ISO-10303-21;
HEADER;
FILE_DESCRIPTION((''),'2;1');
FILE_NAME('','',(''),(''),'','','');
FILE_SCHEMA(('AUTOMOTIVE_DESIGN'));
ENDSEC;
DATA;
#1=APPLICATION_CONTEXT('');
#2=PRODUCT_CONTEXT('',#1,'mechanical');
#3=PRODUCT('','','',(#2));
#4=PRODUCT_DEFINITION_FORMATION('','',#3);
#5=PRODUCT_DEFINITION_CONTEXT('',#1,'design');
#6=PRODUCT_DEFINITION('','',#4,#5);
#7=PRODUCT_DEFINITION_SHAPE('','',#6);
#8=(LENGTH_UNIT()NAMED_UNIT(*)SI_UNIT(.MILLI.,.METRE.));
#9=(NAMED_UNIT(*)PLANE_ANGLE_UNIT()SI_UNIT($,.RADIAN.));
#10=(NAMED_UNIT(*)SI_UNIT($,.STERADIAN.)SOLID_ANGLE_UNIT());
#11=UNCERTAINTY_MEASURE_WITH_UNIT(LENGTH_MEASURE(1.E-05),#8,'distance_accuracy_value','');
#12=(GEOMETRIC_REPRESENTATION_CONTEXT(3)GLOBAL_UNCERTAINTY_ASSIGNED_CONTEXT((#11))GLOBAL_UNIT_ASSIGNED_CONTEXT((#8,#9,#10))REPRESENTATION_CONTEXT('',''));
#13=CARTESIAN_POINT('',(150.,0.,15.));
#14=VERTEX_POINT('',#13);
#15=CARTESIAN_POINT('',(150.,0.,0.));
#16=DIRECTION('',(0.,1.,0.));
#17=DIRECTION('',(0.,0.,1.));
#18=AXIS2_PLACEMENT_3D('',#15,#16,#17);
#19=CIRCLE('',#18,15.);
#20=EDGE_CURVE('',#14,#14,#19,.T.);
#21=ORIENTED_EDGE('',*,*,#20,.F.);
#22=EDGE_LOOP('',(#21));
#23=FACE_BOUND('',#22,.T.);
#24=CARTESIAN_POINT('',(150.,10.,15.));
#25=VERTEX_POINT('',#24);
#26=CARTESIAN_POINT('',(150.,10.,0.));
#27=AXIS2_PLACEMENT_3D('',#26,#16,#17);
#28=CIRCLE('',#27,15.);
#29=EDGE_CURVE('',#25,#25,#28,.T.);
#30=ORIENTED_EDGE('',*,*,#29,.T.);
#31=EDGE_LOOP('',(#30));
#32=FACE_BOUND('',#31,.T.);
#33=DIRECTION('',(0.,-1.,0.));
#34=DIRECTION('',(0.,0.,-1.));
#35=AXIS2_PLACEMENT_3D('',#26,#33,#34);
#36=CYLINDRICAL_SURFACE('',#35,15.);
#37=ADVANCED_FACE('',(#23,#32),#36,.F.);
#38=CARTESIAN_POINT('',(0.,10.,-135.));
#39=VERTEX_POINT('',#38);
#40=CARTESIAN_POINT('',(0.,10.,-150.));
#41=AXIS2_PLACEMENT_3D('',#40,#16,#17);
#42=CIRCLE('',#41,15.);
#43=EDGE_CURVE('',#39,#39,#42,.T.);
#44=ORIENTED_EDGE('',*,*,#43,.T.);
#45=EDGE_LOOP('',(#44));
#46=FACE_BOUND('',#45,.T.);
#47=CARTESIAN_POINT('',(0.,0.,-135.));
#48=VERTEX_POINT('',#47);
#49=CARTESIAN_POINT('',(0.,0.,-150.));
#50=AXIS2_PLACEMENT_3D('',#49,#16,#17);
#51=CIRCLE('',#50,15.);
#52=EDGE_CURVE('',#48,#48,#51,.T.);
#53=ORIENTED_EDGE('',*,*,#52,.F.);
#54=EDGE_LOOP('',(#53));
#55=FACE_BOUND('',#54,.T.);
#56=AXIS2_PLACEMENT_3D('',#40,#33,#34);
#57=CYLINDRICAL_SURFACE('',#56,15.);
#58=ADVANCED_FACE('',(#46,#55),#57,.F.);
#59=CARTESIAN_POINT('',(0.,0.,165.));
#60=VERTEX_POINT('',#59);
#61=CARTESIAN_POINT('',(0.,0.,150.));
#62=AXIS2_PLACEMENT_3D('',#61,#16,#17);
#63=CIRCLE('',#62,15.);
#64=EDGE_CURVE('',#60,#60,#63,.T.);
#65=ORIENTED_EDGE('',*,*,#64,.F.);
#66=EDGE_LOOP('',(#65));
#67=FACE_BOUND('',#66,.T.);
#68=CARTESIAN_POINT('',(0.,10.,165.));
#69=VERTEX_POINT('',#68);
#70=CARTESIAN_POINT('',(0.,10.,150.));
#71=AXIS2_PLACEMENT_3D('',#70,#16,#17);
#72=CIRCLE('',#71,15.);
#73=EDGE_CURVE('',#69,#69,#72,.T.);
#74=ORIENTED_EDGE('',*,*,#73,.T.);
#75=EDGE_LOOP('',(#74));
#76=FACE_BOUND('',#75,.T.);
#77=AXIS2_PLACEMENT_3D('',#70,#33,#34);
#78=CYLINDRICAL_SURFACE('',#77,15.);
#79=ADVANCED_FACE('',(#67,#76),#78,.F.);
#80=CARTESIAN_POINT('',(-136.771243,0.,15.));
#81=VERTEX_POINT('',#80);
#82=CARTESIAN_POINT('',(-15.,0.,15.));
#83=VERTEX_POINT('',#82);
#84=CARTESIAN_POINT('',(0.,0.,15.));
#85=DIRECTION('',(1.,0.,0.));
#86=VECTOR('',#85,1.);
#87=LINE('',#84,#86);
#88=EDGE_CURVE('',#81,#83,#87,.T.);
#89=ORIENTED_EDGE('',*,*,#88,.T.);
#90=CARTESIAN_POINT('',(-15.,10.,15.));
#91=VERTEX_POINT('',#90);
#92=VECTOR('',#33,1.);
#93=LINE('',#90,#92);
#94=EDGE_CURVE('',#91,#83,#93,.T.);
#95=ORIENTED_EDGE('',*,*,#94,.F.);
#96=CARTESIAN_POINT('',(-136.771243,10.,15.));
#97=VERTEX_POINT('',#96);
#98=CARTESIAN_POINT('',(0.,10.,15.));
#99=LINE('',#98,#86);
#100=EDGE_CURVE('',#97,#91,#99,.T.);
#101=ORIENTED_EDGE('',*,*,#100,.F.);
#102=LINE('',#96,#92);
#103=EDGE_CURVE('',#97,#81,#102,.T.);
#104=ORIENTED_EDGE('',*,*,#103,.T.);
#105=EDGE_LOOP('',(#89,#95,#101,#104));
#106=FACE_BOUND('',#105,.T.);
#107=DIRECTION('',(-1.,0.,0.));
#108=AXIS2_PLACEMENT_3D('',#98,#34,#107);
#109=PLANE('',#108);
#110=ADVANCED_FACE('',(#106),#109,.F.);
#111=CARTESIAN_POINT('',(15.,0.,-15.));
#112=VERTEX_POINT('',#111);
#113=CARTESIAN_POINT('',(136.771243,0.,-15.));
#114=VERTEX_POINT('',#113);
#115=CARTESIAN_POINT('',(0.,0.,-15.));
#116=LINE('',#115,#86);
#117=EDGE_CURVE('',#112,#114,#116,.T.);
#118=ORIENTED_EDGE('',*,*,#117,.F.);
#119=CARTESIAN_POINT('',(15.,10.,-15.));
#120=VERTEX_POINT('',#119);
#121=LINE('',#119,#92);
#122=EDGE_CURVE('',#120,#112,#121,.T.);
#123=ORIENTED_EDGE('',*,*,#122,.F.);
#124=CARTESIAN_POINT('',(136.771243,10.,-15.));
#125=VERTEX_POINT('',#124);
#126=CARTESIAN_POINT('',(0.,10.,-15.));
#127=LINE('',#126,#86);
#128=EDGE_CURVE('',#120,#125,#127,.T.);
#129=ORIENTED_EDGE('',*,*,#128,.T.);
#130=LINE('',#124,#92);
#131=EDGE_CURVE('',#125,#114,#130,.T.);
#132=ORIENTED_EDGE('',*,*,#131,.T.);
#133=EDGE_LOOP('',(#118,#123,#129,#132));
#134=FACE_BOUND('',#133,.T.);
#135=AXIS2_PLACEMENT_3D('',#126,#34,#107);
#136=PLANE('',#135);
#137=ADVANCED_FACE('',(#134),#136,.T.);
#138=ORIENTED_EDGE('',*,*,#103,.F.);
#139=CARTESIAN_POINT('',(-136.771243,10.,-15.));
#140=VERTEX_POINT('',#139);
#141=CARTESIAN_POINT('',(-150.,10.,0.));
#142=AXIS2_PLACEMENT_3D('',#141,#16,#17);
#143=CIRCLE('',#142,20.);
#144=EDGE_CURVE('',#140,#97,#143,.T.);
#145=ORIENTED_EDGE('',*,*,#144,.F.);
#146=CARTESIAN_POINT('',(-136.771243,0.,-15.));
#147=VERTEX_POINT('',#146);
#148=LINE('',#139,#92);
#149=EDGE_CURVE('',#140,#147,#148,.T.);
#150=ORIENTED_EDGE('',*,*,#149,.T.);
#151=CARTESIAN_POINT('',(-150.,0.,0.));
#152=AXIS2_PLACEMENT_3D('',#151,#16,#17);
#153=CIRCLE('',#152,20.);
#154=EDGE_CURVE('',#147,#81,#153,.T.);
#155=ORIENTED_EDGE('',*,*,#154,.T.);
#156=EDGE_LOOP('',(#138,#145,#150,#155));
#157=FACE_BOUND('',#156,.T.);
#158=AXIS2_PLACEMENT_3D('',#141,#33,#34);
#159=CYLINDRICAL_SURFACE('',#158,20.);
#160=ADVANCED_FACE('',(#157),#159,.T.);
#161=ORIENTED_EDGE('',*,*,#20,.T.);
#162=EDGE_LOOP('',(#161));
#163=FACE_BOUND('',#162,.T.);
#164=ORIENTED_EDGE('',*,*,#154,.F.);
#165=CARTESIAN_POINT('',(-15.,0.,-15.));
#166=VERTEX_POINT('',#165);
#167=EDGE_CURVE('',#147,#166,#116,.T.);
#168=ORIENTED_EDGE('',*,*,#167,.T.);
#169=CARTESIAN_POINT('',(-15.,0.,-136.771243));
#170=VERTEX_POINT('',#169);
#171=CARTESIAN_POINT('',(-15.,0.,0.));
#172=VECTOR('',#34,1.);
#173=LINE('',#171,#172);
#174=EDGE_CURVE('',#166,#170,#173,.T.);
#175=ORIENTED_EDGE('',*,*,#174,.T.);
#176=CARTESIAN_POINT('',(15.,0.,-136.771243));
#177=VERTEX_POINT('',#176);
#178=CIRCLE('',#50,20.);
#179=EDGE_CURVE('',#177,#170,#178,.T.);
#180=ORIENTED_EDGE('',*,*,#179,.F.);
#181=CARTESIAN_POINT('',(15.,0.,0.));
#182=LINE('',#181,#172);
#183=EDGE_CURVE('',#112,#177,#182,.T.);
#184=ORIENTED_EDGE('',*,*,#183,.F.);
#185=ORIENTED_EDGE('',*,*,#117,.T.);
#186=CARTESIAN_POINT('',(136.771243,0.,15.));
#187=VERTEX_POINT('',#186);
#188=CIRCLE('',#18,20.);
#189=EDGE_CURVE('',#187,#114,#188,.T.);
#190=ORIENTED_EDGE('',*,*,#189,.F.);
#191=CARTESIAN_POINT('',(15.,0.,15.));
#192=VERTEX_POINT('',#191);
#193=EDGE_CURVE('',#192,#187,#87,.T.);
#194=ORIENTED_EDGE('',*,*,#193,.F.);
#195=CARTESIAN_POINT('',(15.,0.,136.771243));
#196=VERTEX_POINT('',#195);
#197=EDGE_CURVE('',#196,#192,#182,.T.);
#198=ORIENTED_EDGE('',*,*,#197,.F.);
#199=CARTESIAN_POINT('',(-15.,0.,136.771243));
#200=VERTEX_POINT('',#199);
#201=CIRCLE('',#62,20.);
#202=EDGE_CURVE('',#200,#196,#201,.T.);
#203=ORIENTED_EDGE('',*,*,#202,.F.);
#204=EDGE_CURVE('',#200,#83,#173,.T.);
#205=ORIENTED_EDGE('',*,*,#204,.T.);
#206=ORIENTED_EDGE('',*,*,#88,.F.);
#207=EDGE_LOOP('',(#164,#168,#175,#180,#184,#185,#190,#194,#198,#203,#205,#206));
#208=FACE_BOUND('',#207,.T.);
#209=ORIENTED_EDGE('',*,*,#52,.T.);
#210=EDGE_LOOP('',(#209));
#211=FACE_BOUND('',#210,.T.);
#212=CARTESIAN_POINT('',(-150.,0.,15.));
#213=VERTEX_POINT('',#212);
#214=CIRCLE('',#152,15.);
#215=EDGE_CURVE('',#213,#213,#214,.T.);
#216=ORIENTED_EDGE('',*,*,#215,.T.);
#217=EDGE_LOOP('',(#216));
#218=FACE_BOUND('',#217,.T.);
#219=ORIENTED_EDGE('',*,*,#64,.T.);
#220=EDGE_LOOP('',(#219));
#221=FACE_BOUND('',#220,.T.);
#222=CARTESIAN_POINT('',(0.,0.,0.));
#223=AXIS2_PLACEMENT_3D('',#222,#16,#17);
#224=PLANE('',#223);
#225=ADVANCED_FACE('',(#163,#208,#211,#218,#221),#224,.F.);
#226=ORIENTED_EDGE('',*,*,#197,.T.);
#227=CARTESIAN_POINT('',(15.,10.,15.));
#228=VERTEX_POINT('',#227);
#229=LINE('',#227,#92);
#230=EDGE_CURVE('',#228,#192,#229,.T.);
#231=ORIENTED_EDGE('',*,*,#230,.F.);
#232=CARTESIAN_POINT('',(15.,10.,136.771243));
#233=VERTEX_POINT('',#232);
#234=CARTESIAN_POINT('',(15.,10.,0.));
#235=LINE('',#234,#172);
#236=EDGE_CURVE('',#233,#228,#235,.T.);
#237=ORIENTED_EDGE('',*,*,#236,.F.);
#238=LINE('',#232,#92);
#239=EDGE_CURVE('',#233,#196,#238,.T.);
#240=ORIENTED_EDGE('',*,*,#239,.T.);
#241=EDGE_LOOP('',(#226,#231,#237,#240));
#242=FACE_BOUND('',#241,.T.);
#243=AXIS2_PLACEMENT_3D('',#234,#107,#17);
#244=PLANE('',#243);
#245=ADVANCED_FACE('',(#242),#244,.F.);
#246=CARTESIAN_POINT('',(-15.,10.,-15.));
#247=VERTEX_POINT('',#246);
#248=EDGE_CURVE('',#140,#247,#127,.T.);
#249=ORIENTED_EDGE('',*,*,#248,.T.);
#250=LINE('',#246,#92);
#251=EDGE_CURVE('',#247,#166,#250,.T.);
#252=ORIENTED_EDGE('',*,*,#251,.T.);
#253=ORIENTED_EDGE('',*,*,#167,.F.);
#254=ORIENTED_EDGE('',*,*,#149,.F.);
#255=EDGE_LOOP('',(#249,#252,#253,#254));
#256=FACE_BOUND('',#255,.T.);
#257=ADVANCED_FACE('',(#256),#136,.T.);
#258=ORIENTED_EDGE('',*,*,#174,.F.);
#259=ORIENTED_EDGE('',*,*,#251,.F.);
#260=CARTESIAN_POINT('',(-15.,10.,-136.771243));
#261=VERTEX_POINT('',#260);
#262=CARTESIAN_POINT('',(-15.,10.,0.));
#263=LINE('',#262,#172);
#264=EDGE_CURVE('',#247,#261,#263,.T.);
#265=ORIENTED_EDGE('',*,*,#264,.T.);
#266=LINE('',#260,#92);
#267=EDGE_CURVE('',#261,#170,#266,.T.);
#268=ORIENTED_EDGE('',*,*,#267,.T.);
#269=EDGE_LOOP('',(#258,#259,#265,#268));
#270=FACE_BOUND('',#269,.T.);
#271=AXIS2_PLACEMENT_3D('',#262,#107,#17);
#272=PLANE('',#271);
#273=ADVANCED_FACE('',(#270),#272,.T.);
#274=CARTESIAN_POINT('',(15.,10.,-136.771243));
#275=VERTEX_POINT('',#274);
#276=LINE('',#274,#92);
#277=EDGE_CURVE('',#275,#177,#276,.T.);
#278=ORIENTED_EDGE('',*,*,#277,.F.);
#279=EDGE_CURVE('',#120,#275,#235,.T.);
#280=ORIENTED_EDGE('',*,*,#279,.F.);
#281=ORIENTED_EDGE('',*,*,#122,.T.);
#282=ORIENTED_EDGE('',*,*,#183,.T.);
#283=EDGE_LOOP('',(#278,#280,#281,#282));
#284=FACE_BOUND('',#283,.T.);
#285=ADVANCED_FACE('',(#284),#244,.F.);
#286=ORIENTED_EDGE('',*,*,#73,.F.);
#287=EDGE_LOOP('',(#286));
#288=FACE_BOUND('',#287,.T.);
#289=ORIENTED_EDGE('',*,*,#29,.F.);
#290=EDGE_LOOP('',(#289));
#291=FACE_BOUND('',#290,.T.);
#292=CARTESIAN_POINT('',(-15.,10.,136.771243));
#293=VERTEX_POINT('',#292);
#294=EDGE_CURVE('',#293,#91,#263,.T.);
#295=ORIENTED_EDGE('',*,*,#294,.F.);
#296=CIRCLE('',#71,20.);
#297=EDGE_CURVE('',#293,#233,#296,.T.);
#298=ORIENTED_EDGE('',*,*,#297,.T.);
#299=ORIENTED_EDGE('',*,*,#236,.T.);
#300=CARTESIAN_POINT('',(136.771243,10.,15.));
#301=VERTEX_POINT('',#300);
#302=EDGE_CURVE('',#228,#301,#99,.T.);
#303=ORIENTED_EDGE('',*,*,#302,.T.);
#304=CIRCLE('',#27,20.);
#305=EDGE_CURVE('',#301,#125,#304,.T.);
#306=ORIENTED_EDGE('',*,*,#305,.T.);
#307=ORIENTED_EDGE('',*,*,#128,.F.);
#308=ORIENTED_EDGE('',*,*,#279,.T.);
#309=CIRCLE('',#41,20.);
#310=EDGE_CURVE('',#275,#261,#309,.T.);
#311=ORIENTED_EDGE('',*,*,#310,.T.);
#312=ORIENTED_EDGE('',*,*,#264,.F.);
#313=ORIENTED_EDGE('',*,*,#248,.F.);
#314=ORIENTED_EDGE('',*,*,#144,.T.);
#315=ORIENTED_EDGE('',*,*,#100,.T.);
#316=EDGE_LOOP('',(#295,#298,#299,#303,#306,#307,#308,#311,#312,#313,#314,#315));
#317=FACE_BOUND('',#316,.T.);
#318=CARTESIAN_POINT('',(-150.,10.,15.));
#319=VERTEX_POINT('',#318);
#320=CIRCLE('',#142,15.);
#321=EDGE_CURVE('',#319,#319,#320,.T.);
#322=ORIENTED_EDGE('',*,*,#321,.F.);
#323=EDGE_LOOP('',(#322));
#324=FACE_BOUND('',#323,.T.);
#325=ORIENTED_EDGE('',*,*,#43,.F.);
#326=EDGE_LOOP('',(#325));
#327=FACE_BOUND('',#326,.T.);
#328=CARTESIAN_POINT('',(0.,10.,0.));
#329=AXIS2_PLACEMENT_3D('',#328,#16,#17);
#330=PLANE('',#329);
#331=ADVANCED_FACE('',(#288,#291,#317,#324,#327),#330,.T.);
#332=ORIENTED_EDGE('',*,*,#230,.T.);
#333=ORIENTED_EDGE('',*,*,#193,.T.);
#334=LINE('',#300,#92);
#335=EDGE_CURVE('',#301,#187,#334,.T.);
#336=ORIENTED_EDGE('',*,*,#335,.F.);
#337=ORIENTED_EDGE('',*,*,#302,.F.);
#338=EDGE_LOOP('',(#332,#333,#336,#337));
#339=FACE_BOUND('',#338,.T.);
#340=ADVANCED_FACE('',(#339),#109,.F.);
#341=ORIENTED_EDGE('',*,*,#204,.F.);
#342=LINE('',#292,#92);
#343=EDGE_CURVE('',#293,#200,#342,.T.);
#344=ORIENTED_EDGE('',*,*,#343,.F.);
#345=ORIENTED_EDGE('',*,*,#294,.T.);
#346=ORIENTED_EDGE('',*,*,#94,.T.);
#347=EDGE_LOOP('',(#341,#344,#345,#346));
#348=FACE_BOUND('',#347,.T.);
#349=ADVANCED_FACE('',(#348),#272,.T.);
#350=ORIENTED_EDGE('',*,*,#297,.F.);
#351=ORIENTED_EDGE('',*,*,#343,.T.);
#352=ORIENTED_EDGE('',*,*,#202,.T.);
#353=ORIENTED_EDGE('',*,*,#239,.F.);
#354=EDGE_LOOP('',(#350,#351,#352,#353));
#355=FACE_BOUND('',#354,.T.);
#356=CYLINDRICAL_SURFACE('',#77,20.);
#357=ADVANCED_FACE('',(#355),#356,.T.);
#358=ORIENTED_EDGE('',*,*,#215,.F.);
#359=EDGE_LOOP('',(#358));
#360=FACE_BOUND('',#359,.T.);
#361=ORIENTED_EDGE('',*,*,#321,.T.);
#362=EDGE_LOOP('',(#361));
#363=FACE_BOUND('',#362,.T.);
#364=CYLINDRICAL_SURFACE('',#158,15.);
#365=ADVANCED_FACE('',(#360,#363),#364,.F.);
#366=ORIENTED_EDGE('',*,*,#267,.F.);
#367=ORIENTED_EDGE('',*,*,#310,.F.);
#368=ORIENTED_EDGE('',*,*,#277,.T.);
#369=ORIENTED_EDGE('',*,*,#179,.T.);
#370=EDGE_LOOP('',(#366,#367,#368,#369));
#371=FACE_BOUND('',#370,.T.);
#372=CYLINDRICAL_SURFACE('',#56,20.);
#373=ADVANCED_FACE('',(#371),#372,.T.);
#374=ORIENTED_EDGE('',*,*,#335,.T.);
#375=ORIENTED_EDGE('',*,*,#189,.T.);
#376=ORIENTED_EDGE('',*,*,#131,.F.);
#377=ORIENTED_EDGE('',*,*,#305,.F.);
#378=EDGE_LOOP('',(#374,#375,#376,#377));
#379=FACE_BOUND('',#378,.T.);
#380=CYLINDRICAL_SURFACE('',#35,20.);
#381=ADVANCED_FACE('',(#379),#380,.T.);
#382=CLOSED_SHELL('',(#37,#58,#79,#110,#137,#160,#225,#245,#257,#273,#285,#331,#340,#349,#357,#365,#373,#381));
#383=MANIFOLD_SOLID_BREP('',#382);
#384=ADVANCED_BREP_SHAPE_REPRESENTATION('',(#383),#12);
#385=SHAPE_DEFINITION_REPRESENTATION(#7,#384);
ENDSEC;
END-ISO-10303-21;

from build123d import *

# Parameters (mm, degrees)
SKETCH1_R           = 15
SKETCH1_W           = 30
SKETCH1_H           = 30
BOSS_EXTRUDE2_DEPTH = 10


with BuildPart() as part:
    # Sketch1 → Boss-Extrude2 (new body)
    # profile 1 of 5: a face of its own
    with BuildSketch(Plane(origin=(0, 0, 0), x_dir=(1, 0, 0), z_dir=(0, 1, 0))):
        with BuildLine():
            Line((15, -15), (-15, -15))
            Line((-15, -15), (-15, -136.771243445))
            ThreePointArc((-15, -136.771243445), (0, -170), (15, -136.771243445))
            Line((15, -136.771243445), (15, -15))
        make_face()
        with Locations(Location((0, -150, 0), (0, 0, 270))):
            Circle(SKETCH1_R, mode=Mode.SUBTRACT)
    # profile 2 of 5: a face of its own
    with BuildSketch(Plane(origin=(0, 0, 0), x_dir=(1, 0, 0), z_dir=(0, 1, 0))):
        Rectangle(SKETCH1_W, SKETCH1_H)
    # profile 3 of 5: a face of its own
    with BuildSketch(Plane(origin=(0, 0, 0), x_dir=(1, 0, 0), z_dir=(0, 1, 0))):
        with BuildLine():
            Line((-15, 136.771243445), (-15, 15))
            Line((-15, 15), (15, 15))
            Line((15, 15), (15, 136.771243445))
            ThreePointArc((15, 136.771243445), (0, 170), (-15, 136.771243445))
        make_face()
        with Locations(Location((0, 150, 0), (0, 0, 270))):
            Circle(SKETCH1_R, mode=Mode.SUBTRACT)
    # profile 4 of 5: a face of its own
    with BuildSketch(Plane(origin=(0, 0, 0), x_dir=(1, 0, 0), z_dir=(0, 1, 0))):
        with BuildLine():
            Line((-15, 15), (-136.771243445, 15))
            ThreePointArc((-136.771243445, 15), (-170, 0), (-136.771243445, -15))
            Line((-136.771243445, -15), (-15, -15))
            Line((-15, -15), (-15, 15))
        make_face()
        with Locations(Location((-150, 0, 0), (0, 0, 270))):
            Circle(SKETCH1_R, mode=Mode.SUBTRACT)
    # profile 5 of 5: a face of its own
    with BuildSketch(Plane(origin=(0, 0, 0), x_dir=(1, 0, 0), z_dir=(0, 1, 0))):
        with BuildLine():
            Line((136.771243445, 15), (15, 15))
            Line((15, 15), (15, -15))
            Line((15, -15), (136.771243445, -15))
            ThreePointArc((136.771243445, -15), (170, 0), (136.771243445, 15))
        make_face()
        with Locations(Location((150, 0, 0), (0, 0, 270))):
            Circle(SKETCH1_R, mode=Mode.SUBTRACT)
    extrude(amount=BOSS_EXTRUDE2_DEPTH)


solid = part.part
